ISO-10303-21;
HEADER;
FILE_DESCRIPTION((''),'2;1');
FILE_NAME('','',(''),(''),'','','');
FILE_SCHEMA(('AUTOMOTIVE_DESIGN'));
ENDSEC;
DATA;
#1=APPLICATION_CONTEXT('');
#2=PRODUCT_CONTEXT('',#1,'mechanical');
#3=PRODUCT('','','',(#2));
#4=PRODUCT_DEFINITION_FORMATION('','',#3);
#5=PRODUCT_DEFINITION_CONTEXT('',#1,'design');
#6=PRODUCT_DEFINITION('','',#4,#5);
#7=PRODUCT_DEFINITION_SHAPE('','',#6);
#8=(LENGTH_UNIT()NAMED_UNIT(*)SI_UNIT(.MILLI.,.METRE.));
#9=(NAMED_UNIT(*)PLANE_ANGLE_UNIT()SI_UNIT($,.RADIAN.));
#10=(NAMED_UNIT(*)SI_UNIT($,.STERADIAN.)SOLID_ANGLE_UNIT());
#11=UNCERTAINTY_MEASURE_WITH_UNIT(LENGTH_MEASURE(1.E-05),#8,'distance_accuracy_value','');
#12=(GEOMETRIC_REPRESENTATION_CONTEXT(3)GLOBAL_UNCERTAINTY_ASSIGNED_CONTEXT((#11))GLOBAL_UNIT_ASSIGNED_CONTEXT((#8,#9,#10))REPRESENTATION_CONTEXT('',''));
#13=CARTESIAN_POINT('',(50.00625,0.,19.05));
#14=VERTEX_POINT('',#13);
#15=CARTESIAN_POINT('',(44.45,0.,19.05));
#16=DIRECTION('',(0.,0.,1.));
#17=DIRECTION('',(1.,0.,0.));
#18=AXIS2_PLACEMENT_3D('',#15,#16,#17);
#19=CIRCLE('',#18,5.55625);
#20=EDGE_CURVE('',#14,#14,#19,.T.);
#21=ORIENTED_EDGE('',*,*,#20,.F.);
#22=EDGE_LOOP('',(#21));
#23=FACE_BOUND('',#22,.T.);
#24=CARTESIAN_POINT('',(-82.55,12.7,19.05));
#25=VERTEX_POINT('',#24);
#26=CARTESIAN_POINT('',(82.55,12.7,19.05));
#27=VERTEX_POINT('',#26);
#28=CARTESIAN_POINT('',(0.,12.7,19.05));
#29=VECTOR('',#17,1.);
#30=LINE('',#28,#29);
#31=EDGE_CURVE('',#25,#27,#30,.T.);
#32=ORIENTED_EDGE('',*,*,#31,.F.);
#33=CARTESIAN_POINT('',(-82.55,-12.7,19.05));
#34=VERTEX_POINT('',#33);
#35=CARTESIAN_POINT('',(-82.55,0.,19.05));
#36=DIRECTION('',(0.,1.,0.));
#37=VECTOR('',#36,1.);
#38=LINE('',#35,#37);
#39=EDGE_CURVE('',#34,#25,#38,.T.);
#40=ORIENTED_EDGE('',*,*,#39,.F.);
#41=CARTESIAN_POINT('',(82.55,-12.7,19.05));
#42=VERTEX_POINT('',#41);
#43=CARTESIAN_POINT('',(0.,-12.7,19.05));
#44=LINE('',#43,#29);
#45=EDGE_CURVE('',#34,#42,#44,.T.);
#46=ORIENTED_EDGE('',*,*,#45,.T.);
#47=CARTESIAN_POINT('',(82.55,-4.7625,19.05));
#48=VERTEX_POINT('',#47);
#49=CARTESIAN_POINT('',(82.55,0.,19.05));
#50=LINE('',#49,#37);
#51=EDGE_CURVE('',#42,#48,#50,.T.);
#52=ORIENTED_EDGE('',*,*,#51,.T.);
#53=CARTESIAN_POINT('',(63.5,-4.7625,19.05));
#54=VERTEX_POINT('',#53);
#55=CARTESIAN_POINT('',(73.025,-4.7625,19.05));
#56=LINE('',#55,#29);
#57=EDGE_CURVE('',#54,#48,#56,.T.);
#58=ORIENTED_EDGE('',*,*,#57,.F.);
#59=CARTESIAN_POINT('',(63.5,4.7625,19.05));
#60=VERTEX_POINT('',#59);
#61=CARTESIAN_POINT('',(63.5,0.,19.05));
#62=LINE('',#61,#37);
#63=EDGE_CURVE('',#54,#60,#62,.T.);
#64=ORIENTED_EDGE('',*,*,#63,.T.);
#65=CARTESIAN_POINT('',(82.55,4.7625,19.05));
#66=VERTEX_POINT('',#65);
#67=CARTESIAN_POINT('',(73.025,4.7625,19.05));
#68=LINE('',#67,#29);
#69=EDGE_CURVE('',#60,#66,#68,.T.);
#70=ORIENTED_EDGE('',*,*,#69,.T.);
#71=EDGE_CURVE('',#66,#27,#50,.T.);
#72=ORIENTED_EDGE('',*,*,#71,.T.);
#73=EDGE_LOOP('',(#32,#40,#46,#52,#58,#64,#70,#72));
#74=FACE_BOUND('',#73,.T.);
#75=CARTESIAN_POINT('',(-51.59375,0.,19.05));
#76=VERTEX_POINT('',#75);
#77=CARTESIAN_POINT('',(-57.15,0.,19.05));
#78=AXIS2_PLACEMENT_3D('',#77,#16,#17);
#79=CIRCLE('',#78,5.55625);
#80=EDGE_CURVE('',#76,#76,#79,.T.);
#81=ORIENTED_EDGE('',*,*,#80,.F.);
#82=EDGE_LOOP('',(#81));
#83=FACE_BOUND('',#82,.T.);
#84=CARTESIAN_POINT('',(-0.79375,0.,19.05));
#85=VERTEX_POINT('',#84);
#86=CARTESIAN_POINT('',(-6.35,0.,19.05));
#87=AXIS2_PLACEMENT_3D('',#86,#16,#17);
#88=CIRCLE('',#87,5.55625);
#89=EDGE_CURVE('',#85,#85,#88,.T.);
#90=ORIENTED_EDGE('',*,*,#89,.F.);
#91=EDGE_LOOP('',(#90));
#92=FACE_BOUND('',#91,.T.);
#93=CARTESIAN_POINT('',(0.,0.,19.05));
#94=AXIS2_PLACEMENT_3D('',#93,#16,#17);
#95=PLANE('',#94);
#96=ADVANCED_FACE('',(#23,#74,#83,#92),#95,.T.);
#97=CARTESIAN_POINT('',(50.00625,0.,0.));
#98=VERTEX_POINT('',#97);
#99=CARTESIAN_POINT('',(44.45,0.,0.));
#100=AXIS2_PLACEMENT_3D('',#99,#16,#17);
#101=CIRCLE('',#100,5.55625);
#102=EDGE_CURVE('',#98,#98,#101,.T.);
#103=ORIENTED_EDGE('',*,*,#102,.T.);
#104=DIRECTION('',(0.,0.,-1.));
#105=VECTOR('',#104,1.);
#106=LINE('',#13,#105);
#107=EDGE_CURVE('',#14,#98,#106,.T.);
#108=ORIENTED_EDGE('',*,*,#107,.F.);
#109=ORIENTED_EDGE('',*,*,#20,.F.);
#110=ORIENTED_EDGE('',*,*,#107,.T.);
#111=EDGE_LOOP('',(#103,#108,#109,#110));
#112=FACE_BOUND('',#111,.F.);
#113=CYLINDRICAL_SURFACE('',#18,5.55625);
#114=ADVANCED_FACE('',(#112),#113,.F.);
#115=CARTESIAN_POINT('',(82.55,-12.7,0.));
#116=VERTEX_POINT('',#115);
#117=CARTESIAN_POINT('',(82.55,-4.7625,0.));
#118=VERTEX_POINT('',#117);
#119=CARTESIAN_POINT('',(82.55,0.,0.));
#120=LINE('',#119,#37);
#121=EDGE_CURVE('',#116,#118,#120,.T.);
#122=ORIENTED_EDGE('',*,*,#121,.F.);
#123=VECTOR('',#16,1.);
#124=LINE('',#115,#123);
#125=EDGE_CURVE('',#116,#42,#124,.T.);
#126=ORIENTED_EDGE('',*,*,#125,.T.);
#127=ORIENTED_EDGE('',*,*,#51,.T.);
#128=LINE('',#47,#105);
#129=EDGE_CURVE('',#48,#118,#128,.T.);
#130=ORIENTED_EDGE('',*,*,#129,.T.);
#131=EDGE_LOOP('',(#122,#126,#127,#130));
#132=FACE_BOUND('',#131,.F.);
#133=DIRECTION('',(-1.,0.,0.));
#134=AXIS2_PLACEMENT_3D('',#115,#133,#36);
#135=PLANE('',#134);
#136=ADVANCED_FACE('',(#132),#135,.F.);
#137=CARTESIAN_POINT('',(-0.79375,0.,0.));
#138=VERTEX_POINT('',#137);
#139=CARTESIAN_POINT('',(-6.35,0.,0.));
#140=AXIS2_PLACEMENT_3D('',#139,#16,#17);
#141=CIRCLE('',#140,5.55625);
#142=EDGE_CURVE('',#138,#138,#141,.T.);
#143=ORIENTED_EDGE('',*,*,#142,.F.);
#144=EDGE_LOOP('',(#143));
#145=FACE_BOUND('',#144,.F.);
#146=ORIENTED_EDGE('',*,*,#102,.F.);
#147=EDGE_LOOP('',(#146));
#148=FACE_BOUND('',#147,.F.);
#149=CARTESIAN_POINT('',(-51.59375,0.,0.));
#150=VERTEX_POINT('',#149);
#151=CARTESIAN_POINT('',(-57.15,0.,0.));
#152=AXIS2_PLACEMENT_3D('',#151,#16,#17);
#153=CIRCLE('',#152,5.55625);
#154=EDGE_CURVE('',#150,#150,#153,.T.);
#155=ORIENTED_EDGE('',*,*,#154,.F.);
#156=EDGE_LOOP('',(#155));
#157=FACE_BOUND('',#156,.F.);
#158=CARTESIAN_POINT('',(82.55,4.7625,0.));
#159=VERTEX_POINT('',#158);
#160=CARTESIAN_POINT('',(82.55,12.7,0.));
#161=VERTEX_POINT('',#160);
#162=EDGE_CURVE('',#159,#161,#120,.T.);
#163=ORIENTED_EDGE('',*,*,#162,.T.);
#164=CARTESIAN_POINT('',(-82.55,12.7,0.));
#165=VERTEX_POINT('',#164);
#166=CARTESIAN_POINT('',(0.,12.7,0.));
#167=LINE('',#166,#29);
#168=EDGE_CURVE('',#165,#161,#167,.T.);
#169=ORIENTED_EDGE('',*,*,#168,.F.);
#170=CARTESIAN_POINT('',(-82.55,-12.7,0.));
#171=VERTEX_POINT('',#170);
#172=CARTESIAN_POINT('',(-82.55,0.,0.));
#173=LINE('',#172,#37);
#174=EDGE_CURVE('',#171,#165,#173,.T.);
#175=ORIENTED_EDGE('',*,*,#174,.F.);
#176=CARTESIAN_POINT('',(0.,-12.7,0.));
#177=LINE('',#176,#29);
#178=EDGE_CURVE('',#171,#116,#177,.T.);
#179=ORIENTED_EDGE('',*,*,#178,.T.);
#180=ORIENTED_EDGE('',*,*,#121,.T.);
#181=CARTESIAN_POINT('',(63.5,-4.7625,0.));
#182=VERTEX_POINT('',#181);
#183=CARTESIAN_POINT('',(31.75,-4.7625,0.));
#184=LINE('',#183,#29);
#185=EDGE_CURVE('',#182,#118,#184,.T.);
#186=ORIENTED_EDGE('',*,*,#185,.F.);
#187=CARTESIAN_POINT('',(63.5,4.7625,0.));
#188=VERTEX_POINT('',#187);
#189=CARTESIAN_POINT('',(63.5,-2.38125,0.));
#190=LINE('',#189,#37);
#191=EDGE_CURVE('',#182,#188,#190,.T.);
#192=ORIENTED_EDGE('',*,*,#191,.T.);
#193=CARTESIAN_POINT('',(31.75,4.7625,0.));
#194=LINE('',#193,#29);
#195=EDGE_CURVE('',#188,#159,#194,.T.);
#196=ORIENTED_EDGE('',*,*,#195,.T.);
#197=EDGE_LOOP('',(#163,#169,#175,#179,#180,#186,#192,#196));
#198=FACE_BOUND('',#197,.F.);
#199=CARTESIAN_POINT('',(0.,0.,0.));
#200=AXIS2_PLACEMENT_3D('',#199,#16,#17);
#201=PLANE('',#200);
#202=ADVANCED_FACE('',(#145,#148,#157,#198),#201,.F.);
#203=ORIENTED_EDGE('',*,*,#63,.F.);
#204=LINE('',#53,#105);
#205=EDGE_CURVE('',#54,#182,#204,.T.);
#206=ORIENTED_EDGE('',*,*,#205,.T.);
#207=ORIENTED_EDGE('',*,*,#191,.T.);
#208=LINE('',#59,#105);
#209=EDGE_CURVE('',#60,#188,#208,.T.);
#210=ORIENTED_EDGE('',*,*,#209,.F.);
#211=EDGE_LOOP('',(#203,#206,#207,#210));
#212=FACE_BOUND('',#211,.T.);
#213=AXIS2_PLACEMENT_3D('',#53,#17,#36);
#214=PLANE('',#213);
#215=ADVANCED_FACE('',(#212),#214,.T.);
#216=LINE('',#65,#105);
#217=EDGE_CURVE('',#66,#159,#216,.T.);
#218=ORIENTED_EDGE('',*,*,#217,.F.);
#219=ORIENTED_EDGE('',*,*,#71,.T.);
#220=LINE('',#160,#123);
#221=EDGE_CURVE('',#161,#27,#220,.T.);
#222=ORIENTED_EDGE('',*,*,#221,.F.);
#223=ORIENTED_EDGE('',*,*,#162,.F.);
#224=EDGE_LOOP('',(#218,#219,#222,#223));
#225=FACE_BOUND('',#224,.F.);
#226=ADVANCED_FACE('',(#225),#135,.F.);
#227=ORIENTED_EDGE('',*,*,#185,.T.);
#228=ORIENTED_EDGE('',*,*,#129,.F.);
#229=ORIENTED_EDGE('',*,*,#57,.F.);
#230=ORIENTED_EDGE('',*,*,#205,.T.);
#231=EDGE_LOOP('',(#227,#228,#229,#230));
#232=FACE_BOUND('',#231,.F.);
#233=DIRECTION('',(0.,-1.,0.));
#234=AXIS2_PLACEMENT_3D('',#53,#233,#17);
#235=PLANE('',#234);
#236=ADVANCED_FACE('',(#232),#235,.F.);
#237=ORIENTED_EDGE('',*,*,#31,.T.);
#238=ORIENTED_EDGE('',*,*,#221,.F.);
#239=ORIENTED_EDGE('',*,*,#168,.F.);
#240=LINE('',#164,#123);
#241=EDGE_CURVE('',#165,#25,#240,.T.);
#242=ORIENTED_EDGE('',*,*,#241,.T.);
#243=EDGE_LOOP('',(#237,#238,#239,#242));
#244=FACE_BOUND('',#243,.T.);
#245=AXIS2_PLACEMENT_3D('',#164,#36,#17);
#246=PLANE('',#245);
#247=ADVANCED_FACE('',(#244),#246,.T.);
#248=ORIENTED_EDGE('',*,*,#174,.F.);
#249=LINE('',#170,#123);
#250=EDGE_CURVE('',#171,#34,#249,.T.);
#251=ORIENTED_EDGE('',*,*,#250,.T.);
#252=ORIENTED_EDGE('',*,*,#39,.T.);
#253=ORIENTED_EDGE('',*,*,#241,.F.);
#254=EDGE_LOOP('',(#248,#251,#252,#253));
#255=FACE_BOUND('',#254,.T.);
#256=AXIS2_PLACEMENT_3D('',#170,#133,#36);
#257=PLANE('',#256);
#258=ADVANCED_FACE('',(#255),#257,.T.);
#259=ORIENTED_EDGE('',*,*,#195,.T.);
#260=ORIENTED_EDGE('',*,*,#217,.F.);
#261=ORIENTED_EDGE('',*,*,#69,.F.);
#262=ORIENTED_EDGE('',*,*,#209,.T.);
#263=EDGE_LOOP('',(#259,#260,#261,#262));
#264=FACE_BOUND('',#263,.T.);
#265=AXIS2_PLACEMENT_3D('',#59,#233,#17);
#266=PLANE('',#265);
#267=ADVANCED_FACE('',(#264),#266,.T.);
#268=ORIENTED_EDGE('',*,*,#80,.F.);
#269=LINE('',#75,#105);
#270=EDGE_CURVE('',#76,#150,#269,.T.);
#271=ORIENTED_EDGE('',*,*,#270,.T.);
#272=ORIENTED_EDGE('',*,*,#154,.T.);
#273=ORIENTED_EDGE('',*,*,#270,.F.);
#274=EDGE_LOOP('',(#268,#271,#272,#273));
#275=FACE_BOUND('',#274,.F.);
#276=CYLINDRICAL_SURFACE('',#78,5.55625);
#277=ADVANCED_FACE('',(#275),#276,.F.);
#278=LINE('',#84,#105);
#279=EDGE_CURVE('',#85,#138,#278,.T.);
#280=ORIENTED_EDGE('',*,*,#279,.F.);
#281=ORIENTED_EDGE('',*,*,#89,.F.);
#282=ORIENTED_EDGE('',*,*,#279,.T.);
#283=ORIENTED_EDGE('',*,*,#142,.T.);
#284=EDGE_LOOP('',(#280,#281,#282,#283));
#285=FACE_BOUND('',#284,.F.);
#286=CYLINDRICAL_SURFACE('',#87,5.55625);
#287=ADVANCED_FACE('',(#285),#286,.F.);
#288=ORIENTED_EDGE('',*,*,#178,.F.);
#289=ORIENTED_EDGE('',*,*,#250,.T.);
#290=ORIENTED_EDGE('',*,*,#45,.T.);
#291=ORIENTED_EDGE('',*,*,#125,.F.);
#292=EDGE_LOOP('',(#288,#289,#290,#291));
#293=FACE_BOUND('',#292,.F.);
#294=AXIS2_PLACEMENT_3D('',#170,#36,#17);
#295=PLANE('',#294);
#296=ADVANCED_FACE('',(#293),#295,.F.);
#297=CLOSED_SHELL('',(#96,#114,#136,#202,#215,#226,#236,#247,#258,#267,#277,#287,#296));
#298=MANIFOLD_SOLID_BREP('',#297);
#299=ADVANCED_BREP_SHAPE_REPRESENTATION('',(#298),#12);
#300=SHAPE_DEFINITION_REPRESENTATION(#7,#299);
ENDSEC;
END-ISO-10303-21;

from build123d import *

# Parameters (mm, degrees)
F0_W     = 165.1
F0_H     = 25.4
F1_DEPTH = 19.05
F2_W     = 19.05
F2_H     = 9.525
F3_DEPTH = 19.051
F4_R     = 5.55625
F5_DEPTH = 19.051


with BuildPart() as f1:
    # F0 (on Top) → F1 (new body)
    with BuildSketch(Plane.XY):
        Rectangle(F0_W, F0_H)
    extrude(amount=F1_DEPTH)

    # F2 (on face) → F3 (cut, through all)
    with BuildSketch(Plane.XY.offset(19.05)):
        with Locations((73.025, 0)):
            Rectangle(F2_W, F2_H)
    extrude(amount=-F3_DEPTH, mode=Mode.SUBTRACT)

    # F4 (on face) → F5 (cut, through all)
    with BuildSketch(Plane.XY.offset(19.05)):
        with Locations((-57.15, 0)):
            Circle(F4_R)
        with Locations((-6.35, 0)):
            Circle(F4_R)
        with Locations((44.45, 0)):
            Circle(F4_R)
    extrude(amount=-F5_DEPTH, mode=Mode.SUBTRACT)


solid = f1.part
